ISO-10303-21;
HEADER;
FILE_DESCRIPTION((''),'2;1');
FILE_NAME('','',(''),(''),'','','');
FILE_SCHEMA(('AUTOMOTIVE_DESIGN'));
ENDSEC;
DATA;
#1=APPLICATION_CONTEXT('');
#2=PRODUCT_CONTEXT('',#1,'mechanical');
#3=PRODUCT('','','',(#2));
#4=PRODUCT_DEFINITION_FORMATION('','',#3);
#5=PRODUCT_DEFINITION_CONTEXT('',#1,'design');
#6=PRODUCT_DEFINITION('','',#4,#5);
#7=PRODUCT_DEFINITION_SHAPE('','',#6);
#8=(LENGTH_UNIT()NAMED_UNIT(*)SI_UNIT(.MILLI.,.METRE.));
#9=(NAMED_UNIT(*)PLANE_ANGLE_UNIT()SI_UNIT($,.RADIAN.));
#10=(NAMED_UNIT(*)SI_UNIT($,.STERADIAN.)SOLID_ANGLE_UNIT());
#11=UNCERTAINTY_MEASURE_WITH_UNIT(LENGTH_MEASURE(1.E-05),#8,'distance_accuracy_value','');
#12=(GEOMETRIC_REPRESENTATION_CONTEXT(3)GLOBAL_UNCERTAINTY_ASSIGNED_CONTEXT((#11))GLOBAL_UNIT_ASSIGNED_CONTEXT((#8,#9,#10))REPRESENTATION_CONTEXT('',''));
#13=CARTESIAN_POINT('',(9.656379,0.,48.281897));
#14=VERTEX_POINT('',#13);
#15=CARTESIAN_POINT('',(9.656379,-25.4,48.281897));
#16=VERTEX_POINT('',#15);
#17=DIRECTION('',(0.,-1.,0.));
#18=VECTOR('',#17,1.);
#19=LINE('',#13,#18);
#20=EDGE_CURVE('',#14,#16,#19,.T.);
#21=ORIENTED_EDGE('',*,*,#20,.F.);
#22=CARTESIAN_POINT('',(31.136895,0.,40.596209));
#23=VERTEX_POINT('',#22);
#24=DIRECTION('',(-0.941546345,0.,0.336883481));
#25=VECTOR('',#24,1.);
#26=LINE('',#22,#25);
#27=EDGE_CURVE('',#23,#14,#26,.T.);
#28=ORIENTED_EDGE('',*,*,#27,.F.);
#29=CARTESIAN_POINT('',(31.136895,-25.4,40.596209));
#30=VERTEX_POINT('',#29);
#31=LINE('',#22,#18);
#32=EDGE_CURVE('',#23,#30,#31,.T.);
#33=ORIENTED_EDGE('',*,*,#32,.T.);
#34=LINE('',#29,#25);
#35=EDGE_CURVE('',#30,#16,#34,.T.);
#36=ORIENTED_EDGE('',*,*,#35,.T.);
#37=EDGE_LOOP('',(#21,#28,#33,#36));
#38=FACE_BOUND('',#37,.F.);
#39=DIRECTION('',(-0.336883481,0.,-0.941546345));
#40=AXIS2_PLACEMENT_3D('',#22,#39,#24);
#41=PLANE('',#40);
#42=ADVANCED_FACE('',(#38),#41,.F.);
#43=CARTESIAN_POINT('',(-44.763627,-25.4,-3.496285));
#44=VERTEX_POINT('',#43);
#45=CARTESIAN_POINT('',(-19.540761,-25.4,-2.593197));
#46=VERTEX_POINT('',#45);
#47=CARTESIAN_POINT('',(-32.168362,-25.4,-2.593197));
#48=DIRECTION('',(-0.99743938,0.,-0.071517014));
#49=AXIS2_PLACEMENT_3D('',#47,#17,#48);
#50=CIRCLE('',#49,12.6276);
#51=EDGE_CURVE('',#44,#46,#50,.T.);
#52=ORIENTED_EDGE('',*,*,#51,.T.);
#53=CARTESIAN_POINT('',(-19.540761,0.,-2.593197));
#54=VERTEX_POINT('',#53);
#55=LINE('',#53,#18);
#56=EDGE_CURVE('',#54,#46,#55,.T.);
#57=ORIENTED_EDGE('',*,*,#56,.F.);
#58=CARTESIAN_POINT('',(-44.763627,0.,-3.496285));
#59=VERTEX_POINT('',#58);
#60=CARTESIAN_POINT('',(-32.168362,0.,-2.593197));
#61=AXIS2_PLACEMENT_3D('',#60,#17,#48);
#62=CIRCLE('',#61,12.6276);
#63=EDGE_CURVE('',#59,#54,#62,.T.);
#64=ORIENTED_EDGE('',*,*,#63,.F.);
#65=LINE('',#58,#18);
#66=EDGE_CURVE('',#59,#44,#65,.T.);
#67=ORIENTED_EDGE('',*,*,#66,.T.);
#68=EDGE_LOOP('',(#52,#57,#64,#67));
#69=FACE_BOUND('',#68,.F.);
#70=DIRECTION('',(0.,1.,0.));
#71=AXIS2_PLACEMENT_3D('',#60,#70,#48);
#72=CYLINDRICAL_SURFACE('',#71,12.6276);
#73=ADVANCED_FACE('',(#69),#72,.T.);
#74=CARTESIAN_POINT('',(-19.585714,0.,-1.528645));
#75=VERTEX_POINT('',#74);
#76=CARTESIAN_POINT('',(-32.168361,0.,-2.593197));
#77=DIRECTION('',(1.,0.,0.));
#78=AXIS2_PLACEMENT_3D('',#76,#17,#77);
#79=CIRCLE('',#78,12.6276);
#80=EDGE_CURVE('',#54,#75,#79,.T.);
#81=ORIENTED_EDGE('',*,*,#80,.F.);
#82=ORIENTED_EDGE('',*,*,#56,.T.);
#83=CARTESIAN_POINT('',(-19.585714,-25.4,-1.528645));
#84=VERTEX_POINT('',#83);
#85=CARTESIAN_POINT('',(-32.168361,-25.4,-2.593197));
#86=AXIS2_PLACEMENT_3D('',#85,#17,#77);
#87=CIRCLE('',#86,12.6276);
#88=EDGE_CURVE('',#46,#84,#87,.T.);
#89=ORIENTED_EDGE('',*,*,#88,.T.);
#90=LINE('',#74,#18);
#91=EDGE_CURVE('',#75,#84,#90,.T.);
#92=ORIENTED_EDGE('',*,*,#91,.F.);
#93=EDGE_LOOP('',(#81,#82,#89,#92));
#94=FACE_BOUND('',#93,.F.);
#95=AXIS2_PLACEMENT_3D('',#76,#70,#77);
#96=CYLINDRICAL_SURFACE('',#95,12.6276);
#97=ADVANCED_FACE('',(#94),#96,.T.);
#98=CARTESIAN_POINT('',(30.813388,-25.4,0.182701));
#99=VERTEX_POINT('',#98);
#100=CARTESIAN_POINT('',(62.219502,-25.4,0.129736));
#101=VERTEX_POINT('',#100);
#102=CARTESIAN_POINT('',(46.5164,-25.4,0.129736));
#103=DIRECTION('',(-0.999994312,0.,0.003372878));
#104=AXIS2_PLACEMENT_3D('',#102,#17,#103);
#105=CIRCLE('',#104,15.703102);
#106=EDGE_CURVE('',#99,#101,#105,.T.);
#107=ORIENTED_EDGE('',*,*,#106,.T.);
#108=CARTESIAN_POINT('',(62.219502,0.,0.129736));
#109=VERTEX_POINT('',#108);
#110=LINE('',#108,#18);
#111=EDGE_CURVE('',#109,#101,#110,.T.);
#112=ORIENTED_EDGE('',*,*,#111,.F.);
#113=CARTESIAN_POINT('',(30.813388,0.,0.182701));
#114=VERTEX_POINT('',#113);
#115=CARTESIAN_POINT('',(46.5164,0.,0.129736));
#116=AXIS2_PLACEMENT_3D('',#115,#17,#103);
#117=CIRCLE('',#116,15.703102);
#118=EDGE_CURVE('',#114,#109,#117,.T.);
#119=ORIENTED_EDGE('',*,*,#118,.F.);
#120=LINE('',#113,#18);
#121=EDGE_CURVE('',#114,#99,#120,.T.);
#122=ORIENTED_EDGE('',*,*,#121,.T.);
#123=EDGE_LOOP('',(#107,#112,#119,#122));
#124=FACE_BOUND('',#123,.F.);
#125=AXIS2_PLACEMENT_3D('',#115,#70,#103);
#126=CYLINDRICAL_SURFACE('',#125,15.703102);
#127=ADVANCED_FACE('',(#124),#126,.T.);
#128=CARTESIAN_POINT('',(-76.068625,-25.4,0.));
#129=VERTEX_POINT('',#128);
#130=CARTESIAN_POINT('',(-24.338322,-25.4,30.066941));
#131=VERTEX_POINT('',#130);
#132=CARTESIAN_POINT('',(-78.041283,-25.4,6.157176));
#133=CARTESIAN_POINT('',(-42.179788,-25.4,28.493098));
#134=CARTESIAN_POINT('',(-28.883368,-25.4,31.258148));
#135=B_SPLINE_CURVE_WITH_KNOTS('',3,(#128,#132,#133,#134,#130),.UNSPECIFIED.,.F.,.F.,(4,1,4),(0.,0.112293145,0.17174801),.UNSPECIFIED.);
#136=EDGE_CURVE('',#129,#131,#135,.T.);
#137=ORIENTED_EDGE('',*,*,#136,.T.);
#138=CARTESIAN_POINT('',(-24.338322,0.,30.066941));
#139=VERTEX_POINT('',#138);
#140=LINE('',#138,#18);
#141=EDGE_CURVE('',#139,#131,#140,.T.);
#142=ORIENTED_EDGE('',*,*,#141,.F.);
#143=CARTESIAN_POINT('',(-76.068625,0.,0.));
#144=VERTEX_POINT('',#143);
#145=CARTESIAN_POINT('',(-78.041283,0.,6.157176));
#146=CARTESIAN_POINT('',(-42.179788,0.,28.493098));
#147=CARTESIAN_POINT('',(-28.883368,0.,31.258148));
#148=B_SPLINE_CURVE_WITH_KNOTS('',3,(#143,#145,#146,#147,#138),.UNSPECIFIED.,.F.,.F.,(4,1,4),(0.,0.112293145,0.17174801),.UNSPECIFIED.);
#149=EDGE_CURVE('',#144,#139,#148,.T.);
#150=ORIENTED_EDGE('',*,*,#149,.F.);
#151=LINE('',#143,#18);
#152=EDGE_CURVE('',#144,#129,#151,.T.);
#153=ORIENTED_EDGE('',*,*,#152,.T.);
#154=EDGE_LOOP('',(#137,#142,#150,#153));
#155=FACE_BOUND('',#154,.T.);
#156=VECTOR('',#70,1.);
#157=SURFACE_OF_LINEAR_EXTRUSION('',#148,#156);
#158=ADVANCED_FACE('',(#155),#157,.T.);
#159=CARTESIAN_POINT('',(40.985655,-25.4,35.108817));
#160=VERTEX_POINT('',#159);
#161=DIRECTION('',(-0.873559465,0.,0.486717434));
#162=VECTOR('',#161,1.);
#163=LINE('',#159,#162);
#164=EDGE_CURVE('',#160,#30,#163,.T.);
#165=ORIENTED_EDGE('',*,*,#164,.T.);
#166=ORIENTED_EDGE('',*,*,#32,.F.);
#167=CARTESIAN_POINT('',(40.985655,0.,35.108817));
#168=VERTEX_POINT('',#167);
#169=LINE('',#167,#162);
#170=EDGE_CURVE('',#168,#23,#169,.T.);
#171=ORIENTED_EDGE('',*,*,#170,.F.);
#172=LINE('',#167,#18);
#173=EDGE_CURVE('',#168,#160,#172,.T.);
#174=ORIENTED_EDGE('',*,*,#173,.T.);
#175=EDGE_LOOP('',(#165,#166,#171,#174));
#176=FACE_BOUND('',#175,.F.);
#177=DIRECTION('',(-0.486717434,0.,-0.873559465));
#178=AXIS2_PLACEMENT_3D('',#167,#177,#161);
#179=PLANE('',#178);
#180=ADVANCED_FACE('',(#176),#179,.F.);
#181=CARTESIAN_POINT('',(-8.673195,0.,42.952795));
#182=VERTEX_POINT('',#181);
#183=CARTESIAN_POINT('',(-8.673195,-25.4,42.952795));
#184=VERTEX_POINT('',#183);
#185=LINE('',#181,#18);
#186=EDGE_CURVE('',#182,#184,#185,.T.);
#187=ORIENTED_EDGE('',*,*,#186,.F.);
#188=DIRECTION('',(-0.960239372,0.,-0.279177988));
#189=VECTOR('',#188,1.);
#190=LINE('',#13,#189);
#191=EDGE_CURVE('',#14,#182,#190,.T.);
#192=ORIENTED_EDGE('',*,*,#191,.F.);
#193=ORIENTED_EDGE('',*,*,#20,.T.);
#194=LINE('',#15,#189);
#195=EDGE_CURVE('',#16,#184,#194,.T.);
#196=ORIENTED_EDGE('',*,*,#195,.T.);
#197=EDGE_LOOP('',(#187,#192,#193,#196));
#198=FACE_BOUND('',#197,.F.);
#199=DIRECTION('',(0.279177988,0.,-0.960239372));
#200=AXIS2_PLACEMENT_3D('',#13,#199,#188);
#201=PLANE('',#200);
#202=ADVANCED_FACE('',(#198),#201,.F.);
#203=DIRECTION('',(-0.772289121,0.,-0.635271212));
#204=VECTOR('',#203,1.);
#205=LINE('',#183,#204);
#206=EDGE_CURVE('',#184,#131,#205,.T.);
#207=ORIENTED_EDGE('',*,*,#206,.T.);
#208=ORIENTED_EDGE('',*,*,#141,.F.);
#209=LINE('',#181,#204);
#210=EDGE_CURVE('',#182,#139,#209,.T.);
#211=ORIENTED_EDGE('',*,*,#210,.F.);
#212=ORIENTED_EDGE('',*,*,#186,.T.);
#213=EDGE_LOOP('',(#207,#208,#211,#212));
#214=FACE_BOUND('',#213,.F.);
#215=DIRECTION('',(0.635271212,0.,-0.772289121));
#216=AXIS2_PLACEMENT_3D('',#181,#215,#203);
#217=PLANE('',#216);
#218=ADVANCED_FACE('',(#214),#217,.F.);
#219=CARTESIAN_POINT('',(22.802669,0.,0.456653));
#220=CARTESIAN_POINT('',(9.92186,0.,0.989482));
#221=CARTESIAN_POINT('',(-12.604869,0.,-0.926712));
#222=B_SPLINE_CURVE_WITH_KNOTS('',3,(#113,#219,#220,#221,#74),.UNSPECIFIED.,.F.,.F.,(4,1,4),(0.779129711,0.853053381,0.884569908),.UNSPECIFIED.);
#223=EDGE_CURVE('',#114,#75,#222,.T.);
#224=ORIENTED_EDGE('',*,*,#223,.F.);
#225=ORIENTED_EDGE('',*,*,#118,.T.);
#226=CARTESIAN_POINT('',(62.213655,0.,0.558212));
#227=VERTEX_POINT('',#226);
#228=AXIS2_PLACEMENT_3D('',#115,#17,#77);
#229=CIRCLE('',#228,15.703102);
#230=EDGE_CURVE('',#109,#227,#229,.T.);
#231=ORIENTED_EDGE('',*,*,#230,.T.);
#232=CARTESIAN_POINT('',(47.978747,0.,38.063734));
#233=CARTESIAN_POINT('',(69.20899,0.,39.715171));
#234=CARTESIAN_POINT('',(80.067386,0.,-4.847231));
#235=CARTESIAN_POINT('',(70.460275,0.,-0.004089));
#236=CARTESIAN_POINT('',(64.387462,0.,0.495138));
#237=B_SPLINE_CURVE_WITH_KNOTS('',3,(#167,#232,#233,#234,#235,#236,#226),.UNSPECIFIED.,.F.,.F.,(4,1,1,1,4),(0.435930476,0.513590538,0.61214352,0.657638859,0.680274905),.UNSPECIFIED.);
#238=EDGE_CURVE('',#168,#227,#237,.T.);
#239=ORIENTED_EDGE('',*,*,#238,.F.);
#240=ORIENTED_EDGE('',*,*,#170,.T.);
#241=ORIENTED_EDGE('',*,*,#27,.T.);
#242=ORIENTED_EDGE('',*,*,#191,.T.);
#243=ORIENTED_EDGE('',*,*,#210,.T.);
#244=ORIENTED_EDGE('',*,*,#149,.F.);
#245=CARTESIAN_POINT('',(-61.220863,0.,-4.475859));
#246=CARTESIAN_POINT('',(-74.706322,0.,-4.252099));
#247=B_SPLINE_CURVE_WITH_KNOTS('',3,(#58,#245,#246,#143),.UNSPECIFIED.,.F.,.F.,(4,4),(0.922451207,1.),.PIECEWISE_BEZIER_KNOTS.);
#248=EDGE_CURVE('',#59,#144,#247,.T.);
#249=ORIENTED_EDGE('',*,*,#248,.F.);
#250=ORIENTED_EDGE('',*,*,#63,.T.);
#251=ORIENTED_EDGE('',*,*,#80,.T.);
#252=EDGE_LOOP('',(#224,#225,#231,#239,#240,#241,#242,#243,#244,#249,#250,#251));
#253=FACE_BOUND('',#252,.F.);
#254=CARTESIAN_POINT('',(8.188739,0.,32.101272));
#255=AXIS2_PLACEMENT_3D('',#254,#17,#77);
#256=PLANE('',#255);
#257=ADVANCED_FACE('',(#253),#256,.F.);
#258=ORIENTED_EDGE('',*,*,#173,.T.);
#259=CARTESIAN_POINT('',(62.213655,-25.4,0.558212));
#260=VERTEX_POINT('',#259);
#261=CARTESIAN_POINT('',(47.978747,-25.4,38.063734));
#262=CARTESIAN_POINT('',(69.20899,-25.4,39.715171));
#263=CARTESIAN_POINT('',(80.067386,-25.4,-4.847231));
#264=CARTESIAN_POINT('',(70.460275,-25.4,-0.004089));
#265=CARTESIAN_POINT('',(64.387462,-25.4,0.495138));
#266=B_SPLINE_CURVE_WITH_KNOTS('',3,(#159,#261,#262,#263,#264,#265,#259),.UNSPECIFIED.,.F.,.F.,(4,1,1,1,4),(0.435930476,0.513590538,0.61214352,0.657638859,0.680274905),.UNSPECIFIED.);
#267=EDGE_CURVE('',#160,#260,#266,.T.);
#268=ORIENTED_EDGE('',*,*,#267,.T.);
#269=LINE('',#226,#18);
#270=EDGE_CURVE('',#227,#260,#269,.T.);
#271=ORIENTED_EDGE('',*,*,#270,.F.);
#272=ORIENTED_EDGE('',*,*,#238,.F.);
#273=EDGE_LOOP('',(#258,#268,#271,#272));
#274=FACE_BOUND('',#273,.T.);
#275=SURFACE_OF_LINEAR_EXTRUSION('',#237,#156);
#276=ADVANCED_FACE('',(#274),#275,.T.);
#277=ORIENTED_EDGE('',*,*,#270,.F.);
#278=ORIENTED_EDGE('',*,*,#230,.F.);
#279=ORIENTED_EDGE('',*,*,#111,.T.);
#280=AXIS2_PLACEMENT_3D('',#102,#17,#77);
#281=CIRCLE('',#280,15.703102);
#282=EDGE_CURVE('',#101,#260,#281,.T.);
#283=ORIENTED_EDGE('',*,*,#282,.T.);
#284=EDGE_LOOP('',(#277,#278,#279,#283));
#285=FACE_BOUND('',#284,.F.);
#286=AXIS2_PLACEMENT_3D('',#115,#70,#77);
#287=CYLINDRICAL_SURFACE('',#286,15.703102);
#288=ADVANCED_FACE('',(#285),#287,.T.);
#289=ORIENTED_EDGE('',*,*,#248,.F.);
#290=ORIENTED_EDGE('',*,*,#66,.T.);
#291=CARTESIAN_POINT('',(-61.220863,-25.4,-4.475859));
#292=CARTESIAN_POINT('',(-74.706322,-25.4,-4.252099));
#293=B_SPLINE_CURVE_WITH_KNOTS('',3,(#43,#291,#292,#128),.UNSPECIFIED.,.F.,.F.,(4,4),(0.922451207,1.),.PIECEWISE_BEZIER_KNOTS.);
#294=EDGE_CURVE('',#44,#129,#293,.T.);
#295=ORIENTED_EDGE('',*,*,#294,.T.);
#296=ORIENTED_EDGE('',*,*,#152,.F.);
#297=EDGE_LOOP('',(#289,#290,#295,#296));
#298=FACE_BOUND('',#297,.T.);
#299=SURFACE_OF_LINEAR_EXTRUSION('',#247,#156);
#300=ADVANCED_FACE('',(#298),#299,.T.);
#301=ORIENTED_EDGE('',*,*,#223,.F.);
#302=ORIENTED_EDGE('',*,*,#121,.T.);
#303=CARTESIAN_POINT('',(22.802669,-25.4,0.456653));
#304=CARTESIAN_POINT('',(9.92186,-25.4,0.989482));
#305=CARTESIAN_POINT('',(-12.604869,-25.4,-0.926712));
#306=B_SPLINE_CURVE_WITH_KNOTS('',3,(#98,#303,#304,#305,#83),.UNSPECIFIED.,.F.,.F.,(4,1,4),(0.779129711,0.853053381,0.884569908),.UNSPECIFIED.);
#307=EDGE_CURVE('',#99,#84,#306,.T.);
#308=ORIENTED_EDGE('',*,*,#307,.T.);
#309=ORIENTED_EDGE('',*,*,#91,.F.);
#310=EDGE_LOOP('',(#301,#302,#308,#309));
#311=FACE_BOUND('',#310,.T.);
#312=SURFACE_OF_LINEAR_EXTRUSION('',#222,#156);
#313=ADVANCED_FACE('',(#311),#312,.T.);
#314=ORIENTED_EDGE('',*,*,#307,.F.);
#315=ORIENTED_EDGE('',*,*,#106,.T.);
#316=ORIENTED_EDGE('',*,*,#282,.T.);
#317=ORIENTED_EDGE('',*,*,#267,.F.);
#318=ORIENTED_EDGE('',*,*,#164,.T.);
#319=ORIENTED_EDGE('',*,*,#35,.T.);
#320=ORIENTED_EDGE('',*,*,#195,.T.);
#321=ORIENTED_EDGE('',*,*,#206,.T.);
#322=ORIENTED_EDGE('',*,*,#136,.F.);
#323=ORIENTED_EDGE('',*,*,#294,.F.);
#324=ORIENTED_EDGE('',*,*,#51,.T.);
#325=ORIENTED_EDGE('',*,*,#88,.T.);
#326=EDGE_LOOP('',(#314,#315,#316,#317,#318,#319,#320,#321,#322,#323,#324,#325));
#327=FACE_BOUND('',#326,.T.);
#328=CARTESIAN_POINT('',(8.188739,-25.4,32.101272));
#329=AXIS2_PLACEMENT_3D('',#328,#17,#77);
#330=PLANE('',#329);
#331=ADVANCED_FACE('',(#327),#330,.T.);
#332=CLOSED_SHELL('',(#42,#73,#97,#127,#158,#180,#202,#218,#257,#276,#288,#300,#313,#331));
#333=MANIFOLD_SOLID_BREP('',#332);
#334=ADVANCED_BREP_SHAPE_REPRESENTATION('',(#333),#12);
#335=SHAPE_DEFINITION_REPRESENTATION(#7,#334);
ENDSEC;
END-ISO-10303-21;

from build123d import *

# Parameters (mm, degrees)
F1_DEPTH = 25.4


with BuildPart() as f1:
    # F0 (on Front) → F1 (new body)
    with BuildSketch(Plane.XZ):
        with BuildLine():
            Line((-8.6731946755, 42.9527949154), (-24.3383222927, 30.0669412345))
            add(Edge.make_bspline(
                [(-24.3383222927, 30.0669412345), (-23.0718654676, 29.7350166515), (-15.1094692605, 26.5882488757), (2.485039585, 9.7718074119), (25.3038790792, 21.2101621684), (33.2612487533, 31.5505674903), (40.37705323, 34.8516540005), (40.9856548405, 35.1088173603)],
                knots=[0.1717480104, 0.1717480104, 0.1717480104, 0.1717480104, 0.1883148454, 0.2762767616, 0.3545129409, 0.4291718011, 0.435930476, 0.435930476, 0.435930476, 0.435930476], degree=3))
            Line((40.9856548405, 35.1088173603), (31.1368945986, 40.5962094665))
            Line((31.1368945986, 40.5962094665), (9.6563789994, 48.2818968594))
            Line((9.6563789994, 48.2818968594), (-8.6731946755, 42.9527949154))
        make_face()
        with BuildLine():
            ThreePointArc((-19.5857137795, -1.5286451453), (-33.1522016722, 9.9960189811), (-44.7636274981, -3.49628502))
            add(Edge.make_bspline(
                [(-19.5857137795, -1.5286451453), (-27.9763417286, -2.2521384598), (-36.7245412459, -3.0177792163), (-44.7636274981, -3.49628502)],
                knots=[0.884569908, 0.884569908, 0.884569908, 0.884569908, 0.9224512068, 0.9224512068, 0.9224512068, 0.9224512068], degree=3))
        make_face()
        with BuildLine():
            add(Edge.make_bspline(
                [(-19.5857137795, -1.5286451453), (-27.9763417286, -2.2521384598), (-36.7245412459, -3.0177792163), (-44.7636274981, -3.49628502)],
                knots=[0.884569908, 0.884569908, 0.884569908, 0.884569908, 0.9224512068, 0.9224512068, 0.9224512068, 0.9224512068], degree=3))
            ThreePointArc((-44.7636274981, -3.49628502), (-31.7165280277, -15.2127110064), (-19.5407610253, -2.5931967374))
            ThreePointArc((-19.5407610253, -2.5931967374), (-19.5520042191, -2.0604465984), (-19.5857137795, -1.5286451453))
        make_face()
        with BuildLine():
            ThreePointArc((62.2195018869, 0.1297362803), (62.2180401177, 0.3439942619), (62.2136550824, 0.5582123539))
            add(Edge.make_bspline(
                [(62.2136550824, 0.5582123539), (56.1039952959, 0.7354866845), (44.6938249497, -0.250725284), (34.6315513372, 0.0521268843), (30.8133880731, 0.1827009255)],
                knots=[0.680274905, 0.680274905, 0.680274905, 0.680274905, 0.7438953405, 0.7791297115, 0.7791297115, 0.7791297115, 0.7791297115], degree=3))
            ThreePointArc((30.8133880731, 0.1827009255), (46.4899179587, -15.5733429571), (62.2195018869, 0.1297362803))
        make_face()
        with BuildLine():
            add(Edge.make_bspline(
                [(62.2136550824, 0.5582123539), (56.1039952959, 0.7354866845), (44.6938249497, -0.250725284), (34.6315513372, 0.0521268843), (30.8133880731, 0.1827009255)],
                knots=[0.680274905, 0.680274905, 0.680274905, 0.680274905, 0.7438953405, 0.7791297115, 0.7791297115, 0.7791297115, 0.7791297115], degree=3))
            ThreePointArc((62.2136550824, 0.5582123539), (46.3286225372, 15.8317150841), (30.8133880731, 0.1827009255))
        make_face()
        with BuildLine():
            add(Edge.make_bspline(
                [(-76.0686248541, 0), (-78.0412827996, 6.1571760328), (-42.1797875874, 28.493098451), (-28.8833678396, 31.2581483235), (-24.3383222927, 30.0669412345)],
                knots=[0, 0, 0, 0, 0.1122931454, 0.1717480104, 0.1717480104, 0.1717480104, 0.1717480104], degree=3))
            add(Edge.make_bspline(
                [(-44.7636274981, -3.49628502), (-61.2208625603, -4.475859345), (-74.7063222614, -4.2520989979), (-76.0686248541, 0)],
                knots=[0.9224512068, 0.9224512068, 0.9224512068, 0.9224512068, 1, 1, 1, 1], degree=3))
            ThreePointArc((-44.7636274981, -3.49628502), (-33.1522016722, 9.9960189811), (-19.5857137795, -1.5286451453))
            add(Edge.make_bspline(
                [(30.8133880731, 0.1827009255), (22.8026692987, 0.4566525225), (9.921859959, 0.989481854), (-12.6048692675, -0.9267123263), (-19.5857137795, -1.5286451453)],
                knots=[0.7791297115, 0.7791297115, 0.7791297115, 0.7791297115, 0.8530533805, 0.884569908, 0.884569908, 0.884569908, 0.884569908], degree=3))
            ThreePointArc((30.8133880731, 0.1827009255), (46.3286225372, 15.8317150841), (62.2136550824, 0.5582123539))
            add(Edge.make_bspline(
                [(40.9856548405, 35.1088173603), (47.9787474019, 38.0637342515), (69.2089895431, 39.7151706763), (80.067385962, -4.847230922), (70.4602746753, -0.0040889696), (64.3874619474, 0.4951384398), (62.2136550824, 0.5582123539)],
                knots=[0.435930476, 0.435930476, 0.435930476, 0.435930476, 0.513590538, 0.61214352, 0.6576388592, 0.680274905, 0.680274905, 0.680274905, 0.680274905], degree=3))
            add(Edge.make_bspline(
                [(-24.3383222927, 30.0669412345), (-23.0718654676, 29.7350166515), (-15.1094692605, 26.5882488757), (2.485039585, 9.7718074119), (25.3038790792, 21.2101621684), (33.2612487533, 31.5505674903), (40.37705323, 34.8516540005), (40.9856548405, 35.1088173603)],
                knots=[0.1717480104, 0.1717480104, 0.1717480104, 0.1717480104, 0.1883148454, 0.2762767616, 0.3545129409, 0.4291718011, 0.435930476, 0.435930476, 0.435930476, 0.435930476], degree=3))
        make_face()
    extrude(amount=F1_DEPTH)


solid = f1.part
